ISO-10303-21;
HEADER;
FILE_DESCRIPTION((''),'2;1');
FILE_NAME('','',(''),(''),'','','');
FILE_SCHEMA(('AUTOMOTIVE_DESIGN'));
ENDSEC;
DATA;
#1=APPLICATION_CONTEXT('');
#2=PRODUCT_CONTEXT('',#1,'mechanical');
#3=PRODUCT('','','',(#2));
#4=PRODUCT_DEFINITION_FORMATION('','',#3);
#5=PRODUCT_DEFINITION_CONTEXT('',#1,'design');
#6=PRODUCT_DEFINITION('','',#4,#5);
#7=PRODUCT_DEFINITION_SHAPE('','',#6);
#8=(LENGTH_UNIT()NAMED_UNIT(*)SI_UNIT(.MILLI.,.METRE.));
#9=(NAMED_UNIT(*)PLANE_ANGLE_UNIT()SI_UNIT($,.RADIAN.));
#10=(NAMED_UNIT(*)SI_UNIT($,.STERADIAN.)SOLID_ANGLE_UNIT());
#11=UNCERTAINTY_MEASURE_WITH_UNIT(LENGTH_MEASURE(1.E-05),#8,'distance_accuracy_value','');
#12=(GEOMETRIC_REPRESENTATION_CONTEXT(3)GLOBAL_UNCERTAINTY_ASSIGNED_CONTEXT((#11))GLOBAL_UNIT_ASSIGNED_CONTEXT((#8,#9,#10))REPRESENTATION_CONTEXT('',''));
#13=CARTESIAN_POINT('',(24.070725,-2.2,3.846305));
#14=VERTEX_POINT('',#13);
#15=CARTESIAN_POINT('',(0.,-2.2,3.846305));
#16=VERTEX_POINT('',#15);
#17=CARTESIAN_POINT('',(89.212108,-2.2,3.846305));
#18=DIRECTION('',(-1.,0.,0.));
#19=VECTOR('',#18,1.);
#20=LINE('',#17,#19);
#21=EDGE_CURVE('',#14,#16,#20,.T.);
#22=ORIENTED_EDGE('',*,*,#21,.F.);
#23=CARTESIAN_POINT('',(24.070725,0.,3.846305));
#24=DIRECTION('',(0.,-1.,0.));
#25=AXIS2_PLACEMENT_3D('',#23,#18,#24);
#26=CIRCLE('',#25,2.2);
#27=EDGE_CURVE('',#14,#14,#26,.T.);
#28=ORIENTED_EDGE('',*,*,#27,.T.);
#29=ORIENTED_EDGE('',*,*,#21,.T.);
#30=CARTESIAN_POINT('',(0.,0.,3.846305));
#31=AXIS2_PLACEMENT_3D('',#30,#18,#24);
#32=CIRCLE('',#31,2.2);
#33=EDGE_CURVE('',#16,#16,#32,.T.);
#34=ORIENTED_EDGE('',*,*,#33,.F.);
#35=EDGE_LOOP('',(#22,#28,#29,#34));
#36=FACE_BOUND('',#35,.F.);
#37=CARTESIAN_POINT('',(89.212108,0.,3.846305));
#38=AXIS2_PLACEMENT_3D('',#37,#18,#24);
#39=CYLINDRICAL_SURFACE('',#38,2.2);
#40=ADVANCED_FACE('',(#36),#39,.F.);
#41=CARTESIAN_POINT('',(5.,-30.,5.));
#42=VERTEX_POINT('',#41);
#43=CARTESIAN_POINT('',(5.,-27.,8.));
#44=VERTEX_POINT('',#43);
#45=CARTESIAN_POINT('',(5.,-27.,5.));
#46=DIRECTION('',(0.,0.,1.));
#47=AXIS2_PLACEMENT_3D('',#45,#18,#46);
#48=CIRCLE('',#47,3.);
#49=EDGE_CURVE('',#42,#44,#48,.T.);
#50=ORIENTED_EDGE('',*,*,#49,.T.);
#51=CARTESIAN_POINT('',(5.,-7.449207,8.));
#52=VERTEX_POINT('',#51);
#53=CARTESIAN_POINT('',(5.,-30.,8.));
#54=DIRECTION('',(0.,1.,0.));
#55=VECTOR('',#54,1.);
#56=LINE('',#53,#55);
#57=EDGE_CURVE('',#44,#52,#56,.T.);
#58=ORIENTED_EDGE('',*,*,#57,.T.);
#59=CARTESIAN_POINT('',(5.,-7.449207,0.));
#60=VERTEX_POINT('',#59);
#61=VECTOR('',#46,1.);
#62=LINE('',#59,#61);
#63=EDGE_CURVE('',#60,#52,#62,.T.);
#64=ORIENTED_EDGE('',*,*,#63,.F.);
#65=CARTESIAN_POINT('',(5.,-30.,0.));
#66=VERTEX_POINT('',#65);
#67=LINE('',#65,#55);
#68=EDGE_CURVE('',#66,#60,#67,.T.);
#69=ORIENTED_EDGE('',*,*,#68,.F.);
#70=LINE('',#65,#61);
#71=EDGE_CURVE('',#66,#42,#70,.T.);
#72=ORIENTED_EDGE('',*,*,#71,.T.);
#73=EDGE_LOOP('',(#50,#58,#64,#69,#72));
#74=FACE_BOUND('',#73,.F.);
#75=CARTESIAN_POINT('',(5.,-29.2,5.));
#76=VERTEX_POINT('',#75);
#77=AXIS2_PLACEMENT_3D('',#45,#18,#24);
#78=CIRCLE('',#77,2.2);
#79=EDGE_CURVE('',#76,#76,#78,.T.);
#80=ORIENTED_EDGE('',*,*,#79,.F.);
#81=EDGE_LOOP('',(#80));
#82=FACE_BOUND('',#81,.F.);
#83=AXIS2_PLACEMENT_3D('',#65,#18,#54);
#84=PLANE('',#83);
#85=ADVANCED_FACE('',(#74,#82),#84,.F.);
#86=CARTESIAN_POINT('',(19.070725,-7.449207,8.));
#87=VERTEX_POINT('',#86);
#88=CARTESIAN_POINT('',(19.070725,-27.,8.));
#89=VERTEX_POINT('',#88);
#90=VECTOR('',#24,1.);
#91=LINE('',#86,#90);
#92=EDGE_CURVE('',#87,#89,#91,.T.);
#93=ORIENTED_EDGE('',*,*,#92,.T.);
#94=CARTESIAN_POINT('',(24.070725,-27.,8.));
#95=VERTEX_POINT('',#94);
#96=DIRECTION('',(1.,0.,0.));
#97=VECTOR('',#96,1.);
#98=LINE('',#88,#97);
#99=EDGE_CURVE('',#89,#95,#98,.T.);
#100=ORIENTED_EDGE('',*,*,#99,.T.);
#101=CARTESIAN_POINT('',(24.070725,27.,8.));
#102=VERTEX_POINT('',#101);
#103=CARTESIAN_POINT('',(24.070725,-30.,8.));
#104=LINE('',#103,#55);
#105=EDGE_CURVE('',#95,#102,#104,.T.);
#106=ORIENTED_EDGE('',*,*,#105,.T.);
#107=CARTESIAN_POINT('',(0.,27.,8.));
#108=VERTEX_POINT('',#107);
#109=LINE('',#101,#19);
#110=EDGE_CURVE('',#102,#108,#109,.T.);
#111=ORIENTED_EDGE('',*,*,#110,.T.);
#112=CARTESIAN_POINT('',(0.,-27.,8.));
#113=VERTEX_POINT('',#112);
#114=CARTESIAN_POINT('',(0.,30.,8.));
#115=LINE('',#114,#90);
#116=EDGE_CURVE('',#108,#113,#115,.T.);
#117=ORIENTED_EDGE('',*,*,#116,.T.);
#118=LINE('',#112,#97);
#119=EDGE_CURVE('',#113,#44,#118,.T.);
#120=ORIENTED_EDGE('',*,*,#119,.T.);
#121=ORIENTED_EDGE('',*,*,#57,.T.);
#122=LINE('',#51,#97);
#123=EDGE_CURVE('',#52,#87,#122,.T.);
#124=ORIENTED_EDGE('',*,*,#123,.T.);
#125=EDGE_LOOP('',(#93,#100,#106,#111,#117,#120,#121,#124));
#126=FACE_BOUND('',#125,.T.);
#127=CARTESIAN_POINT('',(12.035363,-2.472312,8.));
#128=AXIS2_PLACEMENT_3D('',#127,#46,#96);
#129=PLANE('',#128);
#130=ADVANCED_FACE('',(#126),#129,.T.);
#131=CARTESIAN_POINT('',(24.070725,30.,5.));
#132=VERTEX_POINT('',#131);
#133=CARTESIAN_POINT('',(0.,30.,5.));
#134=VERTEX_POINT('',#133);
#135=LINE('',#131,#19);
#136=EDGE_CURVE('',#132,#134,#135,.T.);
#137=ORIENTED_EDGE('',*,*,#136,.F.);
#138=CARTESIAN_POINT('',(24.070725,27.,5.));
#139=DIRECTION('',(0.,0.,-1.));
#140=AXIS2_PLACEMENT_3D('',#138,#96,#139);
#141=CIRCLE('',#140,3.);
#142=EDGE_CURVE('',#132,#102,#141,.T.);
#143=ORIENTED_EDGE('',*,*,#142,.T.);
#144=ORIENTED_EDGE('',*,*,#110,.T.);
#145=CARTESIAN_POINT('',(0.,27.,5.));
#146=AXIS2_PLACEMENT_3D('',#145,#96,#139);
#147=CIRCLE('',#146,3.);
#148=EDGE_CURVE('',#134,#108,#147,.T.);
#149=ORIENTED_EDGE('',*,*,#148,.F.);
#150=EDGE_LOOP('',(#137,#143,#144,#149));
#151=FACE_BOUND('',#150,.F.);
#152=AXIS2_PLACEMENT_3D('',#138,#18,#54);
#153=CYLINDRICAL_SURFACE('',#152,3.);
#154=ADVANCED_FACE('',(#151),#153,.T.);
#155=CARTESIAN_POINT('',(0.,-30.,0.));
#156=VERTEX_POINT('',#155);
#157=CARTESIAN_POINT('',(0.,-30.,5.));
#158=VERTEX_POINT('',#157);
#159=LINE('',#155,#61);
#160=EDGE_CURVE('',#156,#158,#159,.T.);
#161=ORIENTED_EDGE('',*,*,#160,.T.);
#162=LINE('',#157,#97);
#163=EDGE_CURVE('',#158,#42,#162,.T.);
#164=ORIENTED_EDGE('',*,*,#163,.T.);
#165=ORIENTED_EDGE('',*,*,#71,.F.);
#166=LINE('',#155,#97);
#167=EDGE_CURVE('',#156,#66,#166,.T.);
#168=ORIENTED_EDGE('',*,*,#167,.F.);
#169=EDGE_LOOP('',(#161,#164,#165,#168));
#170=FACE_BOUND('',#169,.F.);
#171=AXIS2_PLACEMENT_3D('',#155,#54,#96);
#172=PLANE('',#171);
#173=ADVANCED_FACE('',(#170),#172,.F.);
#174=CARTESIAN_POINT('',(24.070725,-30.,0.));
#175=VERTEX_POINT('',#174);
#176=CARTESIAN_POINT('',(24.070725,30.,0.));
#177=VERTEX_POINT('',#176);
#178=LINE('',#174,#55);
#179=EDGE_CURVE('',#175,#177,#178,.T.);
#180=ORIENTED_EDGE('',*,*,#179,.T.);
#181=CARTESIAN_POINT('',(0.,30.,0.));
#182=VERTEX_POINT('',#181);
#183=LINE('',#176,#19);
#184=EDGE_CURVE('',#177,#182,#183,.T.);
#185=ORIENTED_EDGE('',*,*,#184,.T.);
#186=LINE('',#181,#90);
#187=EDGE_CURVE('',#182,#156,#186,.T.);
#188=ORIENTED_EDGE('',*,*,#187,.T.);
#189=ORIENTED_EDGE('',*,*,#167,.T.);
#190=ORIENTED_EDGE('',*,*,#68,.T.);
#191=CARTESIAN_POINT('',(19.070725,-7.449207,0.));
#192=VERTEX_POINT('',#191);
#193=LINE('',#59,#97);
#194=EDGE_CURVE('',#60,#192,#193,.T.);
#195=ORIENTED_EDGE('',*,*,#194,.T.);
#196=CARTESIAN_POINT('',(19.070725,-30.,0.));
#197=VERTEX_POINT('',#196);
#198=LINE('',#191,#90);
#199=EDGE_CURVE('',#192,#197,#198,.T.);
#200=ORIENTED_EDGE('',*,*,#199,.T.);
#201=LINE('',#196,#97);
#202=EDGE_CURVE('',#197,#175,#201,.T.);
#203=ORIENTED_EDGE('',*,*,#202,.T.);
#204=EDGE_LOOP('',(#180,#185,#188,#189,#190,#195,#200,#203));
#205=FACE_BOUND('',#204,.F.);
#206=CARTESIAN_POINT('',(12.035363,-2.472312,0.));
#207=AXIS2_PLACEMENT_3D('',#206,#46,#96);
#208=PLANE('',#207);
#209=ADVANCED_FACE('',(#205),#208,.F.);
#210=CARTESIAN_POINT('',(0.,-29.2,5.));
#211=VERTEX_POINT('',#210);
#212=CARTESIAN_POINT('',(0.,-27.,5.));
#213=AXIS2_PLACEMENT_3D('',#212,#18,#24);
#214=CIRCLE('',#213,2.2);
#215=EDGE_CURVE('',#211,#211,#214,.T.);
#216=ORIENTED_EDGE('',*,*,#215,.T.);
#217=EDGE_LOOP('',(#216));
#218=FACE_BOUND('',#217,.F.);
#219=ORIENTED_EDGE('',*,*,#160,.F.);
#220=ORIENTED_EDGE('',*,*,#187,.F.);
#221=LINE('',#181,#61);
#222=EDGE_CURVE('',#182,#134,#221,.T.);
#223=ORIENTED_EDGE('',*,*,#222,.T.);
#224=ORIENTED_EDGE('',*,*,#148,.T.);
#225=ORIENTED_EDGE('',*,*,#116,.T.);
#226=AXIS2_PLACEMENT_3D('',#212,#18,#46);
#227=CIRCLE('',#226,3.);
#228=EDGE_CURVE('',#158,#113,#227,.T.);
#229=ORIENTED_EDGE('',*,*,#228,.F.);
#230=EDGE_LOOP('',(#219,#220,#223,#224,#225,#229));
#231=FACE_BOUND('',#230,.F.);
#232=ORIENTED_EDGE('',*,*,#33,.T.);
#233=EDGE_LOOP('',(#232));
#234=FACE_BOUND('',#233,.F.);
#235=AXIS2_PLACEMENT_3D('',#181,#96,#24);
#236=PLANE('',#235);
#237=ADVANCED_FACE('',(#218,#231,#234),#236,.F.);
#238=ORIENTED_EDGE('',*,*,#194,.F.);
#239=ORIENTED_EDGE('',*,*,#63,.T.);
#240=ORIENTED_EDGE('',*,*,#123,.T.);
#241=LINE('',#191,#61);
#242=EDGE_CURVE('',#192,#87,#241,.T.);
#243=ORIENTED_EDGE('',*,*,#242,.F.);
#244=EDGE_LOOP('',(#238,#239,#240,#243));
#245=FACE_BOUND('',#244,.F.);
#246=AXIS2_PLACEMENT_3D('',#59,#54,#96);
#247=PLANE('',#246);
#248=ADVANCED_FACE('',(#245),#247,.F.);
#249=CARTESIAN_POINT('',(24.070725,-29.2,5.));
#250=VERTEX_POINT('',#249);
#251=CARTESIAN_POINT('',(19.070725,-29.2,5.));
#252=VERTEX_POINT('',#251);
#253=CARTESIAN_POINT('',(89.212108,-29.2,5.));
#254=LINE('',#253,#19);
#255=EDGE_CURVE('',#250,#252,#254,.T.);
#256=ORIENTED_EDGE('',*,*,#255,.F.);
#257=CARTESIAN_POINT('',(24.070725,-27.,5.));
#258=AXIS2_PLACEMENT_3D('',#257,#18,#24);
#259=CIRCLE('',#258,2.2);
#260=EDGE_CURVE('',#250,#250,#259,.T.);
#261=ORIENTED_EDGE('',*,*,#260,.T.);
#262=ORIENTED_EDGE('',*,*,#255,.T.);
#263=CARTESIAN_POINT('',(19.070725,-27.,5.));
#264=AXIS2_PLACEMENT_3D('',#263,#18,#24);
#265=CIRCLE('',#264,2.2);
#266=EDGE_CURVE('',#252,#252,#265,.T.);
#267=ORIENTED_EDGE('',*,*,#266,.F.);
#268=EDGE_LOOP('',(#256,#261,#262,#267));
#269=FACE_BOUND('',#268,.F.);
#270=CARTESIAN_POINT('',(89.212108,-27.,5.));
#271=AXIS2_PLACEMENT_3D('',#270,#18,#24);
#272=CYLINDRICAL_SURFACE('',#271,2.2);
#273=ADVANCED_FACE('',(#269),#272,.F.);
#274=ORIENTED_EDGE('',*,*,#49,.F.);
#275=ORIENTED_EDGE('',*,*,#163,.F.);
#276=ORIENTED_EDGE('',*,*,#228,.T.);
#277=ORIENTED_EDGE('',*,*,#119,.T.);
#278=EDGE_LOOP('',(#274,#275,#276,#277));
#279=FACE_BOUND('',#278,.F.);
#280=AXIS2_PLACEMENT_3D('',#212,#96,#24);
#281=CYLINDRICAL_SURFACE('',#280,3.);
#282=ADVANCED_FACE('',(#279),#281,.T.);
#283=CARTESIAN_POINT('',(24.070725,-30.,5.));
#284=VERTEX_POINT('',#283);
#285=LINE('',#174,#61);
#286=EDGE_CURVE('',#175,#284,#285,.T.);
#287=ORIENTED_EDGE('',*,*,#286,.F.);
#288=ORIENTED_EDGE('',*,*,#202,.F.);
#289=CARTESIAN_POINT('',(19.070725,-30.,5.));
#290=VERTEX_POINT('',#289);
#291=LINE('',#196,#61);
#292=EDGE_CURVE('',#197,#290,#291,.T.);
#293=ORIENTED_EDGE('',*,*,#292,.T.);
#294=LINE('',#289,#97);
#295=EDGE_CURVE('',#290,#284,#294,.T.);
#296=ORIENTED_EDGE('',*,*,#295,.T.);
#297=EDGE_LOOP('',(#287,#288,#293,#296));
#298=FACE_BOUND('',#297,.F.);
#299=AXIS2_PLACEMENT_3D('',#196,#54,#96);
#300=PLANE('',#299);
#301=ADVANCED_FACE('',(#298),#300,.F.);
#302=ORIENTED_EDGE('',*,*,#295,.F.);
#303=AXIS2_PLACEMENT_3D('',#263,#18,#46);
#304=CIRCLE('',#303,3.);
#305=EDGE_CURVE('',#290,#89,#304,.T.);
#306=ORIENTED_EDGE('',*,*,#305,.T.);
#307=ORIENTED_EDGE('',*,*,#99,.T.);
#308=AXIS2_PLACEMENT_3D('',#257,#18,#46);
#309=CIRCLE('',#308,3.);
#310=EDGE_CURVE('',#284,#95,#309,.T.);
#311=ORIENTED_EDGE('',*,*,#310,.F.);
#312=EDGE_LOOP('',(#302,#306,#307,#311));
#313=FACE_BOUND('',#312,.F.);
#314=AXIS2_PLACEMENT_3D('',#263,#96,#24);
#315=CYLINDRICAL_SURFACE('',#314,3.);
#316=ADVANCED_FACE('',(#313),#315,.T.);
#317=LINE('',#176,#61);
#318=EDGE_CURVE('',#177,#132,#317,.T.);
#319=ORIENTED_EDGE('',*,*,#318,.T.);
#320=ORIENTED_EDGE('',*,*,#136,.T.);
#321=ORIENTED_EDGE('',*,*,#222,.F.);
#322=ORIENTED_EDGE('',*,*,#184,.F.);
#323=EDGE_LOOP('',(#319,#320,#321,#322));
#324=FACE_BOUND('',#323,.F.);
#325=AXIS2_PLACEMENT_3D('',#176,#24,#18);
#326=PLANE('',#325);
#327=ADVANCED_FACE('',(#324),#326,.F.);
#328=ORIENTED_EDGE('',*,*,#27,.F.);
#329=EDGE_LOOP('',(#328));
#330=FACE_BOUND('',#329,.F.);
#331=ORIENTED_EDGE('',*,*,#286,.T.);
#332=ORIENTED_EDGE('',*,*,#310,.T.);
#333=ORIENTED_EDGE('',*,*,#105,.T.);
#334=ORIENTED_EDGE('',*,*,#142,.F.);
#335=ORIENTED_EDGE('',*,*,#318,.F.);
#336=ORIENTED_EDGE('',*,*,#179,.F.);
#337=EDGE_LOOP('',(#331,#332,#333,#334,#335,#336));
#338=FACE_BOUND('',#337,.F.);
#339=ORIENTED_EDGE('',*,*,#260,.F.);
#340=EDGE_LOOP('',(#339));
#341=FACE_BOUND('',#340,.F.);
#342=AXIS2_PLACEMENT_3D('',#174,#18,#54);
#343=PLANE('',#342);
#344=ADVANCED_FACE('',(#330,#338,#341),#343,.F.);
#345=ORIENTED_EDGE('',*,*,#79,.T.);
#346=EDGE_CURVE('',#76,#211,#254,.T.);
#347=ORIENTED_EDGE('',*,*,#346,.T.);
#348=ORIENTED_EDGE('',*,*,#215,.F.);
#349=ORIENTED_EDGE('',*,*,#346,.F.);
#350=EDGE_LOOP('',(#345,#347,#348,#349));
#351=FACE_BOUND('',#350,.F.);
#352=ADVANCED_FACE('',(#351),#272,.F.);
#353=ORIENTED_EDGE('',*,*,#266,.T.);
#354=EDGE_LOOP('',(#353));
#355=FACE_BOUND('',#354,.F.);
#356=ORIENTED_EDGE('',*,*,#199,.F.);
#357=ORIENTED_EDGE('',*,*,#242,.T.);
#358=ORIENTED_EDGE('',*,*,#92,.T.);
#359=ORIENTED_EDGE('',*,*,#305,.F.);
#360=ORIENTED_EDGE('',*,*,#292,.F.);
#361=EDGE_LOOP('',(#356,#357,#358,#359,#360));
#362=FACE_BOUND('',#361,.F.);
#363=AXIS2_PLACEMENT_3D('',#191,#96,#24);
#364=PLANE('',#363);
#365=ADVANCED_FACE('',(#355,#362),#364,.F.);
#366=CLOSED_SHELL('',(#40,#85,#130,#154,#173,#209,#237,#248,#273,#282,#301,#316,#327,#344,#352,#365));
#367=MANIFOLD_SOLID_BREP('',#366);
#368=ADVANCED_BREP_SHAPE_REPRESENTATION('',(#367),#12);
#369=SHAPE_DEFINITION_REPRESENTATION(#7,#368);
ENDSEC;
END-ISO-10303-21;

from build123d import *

# Parameters (mm, degrees)
F1_DEPTH = 8
F2_R     = 3
F4_D     = 4.4
F6_D     = 4.4


with BuildPart() as f1:
    # F0 (on Top) → F1 (new body)
    with BuildSketch(Plane.XY):
        Polygon((0, 30), (0, 0), (0, -30), (5, -30), (5, -7.4492068961), (19.0707250684, -7.4492068961), (19.0707250684, -30), (24.0707250684, -30), (24.0707250684, 30), align=None)
    extrude(amount=F1_DEPTH)

    # F2
    f2_edges = [f1.edges().sort_by_distance(p)[0] for p in [
        (21.570725, -30, 8),
        (2.5, -30, 8),
        (12.035363, 30, 8),
    ]]
    fillet(f2_edges, radius=F2_R)

    # F4 (through all)
    with Locations(Plane.YZ.offset(24.0707250684)):
        with Locations((-27, 5)):
            Hole(F4_D / 2)

    # F6 (through all)
    with Locations(Plane.YZ.offset(24.0707250684)):
        with Locations((0, 3.8463051897)):
            Hole(F6_D / 2)


solid = f1.part
